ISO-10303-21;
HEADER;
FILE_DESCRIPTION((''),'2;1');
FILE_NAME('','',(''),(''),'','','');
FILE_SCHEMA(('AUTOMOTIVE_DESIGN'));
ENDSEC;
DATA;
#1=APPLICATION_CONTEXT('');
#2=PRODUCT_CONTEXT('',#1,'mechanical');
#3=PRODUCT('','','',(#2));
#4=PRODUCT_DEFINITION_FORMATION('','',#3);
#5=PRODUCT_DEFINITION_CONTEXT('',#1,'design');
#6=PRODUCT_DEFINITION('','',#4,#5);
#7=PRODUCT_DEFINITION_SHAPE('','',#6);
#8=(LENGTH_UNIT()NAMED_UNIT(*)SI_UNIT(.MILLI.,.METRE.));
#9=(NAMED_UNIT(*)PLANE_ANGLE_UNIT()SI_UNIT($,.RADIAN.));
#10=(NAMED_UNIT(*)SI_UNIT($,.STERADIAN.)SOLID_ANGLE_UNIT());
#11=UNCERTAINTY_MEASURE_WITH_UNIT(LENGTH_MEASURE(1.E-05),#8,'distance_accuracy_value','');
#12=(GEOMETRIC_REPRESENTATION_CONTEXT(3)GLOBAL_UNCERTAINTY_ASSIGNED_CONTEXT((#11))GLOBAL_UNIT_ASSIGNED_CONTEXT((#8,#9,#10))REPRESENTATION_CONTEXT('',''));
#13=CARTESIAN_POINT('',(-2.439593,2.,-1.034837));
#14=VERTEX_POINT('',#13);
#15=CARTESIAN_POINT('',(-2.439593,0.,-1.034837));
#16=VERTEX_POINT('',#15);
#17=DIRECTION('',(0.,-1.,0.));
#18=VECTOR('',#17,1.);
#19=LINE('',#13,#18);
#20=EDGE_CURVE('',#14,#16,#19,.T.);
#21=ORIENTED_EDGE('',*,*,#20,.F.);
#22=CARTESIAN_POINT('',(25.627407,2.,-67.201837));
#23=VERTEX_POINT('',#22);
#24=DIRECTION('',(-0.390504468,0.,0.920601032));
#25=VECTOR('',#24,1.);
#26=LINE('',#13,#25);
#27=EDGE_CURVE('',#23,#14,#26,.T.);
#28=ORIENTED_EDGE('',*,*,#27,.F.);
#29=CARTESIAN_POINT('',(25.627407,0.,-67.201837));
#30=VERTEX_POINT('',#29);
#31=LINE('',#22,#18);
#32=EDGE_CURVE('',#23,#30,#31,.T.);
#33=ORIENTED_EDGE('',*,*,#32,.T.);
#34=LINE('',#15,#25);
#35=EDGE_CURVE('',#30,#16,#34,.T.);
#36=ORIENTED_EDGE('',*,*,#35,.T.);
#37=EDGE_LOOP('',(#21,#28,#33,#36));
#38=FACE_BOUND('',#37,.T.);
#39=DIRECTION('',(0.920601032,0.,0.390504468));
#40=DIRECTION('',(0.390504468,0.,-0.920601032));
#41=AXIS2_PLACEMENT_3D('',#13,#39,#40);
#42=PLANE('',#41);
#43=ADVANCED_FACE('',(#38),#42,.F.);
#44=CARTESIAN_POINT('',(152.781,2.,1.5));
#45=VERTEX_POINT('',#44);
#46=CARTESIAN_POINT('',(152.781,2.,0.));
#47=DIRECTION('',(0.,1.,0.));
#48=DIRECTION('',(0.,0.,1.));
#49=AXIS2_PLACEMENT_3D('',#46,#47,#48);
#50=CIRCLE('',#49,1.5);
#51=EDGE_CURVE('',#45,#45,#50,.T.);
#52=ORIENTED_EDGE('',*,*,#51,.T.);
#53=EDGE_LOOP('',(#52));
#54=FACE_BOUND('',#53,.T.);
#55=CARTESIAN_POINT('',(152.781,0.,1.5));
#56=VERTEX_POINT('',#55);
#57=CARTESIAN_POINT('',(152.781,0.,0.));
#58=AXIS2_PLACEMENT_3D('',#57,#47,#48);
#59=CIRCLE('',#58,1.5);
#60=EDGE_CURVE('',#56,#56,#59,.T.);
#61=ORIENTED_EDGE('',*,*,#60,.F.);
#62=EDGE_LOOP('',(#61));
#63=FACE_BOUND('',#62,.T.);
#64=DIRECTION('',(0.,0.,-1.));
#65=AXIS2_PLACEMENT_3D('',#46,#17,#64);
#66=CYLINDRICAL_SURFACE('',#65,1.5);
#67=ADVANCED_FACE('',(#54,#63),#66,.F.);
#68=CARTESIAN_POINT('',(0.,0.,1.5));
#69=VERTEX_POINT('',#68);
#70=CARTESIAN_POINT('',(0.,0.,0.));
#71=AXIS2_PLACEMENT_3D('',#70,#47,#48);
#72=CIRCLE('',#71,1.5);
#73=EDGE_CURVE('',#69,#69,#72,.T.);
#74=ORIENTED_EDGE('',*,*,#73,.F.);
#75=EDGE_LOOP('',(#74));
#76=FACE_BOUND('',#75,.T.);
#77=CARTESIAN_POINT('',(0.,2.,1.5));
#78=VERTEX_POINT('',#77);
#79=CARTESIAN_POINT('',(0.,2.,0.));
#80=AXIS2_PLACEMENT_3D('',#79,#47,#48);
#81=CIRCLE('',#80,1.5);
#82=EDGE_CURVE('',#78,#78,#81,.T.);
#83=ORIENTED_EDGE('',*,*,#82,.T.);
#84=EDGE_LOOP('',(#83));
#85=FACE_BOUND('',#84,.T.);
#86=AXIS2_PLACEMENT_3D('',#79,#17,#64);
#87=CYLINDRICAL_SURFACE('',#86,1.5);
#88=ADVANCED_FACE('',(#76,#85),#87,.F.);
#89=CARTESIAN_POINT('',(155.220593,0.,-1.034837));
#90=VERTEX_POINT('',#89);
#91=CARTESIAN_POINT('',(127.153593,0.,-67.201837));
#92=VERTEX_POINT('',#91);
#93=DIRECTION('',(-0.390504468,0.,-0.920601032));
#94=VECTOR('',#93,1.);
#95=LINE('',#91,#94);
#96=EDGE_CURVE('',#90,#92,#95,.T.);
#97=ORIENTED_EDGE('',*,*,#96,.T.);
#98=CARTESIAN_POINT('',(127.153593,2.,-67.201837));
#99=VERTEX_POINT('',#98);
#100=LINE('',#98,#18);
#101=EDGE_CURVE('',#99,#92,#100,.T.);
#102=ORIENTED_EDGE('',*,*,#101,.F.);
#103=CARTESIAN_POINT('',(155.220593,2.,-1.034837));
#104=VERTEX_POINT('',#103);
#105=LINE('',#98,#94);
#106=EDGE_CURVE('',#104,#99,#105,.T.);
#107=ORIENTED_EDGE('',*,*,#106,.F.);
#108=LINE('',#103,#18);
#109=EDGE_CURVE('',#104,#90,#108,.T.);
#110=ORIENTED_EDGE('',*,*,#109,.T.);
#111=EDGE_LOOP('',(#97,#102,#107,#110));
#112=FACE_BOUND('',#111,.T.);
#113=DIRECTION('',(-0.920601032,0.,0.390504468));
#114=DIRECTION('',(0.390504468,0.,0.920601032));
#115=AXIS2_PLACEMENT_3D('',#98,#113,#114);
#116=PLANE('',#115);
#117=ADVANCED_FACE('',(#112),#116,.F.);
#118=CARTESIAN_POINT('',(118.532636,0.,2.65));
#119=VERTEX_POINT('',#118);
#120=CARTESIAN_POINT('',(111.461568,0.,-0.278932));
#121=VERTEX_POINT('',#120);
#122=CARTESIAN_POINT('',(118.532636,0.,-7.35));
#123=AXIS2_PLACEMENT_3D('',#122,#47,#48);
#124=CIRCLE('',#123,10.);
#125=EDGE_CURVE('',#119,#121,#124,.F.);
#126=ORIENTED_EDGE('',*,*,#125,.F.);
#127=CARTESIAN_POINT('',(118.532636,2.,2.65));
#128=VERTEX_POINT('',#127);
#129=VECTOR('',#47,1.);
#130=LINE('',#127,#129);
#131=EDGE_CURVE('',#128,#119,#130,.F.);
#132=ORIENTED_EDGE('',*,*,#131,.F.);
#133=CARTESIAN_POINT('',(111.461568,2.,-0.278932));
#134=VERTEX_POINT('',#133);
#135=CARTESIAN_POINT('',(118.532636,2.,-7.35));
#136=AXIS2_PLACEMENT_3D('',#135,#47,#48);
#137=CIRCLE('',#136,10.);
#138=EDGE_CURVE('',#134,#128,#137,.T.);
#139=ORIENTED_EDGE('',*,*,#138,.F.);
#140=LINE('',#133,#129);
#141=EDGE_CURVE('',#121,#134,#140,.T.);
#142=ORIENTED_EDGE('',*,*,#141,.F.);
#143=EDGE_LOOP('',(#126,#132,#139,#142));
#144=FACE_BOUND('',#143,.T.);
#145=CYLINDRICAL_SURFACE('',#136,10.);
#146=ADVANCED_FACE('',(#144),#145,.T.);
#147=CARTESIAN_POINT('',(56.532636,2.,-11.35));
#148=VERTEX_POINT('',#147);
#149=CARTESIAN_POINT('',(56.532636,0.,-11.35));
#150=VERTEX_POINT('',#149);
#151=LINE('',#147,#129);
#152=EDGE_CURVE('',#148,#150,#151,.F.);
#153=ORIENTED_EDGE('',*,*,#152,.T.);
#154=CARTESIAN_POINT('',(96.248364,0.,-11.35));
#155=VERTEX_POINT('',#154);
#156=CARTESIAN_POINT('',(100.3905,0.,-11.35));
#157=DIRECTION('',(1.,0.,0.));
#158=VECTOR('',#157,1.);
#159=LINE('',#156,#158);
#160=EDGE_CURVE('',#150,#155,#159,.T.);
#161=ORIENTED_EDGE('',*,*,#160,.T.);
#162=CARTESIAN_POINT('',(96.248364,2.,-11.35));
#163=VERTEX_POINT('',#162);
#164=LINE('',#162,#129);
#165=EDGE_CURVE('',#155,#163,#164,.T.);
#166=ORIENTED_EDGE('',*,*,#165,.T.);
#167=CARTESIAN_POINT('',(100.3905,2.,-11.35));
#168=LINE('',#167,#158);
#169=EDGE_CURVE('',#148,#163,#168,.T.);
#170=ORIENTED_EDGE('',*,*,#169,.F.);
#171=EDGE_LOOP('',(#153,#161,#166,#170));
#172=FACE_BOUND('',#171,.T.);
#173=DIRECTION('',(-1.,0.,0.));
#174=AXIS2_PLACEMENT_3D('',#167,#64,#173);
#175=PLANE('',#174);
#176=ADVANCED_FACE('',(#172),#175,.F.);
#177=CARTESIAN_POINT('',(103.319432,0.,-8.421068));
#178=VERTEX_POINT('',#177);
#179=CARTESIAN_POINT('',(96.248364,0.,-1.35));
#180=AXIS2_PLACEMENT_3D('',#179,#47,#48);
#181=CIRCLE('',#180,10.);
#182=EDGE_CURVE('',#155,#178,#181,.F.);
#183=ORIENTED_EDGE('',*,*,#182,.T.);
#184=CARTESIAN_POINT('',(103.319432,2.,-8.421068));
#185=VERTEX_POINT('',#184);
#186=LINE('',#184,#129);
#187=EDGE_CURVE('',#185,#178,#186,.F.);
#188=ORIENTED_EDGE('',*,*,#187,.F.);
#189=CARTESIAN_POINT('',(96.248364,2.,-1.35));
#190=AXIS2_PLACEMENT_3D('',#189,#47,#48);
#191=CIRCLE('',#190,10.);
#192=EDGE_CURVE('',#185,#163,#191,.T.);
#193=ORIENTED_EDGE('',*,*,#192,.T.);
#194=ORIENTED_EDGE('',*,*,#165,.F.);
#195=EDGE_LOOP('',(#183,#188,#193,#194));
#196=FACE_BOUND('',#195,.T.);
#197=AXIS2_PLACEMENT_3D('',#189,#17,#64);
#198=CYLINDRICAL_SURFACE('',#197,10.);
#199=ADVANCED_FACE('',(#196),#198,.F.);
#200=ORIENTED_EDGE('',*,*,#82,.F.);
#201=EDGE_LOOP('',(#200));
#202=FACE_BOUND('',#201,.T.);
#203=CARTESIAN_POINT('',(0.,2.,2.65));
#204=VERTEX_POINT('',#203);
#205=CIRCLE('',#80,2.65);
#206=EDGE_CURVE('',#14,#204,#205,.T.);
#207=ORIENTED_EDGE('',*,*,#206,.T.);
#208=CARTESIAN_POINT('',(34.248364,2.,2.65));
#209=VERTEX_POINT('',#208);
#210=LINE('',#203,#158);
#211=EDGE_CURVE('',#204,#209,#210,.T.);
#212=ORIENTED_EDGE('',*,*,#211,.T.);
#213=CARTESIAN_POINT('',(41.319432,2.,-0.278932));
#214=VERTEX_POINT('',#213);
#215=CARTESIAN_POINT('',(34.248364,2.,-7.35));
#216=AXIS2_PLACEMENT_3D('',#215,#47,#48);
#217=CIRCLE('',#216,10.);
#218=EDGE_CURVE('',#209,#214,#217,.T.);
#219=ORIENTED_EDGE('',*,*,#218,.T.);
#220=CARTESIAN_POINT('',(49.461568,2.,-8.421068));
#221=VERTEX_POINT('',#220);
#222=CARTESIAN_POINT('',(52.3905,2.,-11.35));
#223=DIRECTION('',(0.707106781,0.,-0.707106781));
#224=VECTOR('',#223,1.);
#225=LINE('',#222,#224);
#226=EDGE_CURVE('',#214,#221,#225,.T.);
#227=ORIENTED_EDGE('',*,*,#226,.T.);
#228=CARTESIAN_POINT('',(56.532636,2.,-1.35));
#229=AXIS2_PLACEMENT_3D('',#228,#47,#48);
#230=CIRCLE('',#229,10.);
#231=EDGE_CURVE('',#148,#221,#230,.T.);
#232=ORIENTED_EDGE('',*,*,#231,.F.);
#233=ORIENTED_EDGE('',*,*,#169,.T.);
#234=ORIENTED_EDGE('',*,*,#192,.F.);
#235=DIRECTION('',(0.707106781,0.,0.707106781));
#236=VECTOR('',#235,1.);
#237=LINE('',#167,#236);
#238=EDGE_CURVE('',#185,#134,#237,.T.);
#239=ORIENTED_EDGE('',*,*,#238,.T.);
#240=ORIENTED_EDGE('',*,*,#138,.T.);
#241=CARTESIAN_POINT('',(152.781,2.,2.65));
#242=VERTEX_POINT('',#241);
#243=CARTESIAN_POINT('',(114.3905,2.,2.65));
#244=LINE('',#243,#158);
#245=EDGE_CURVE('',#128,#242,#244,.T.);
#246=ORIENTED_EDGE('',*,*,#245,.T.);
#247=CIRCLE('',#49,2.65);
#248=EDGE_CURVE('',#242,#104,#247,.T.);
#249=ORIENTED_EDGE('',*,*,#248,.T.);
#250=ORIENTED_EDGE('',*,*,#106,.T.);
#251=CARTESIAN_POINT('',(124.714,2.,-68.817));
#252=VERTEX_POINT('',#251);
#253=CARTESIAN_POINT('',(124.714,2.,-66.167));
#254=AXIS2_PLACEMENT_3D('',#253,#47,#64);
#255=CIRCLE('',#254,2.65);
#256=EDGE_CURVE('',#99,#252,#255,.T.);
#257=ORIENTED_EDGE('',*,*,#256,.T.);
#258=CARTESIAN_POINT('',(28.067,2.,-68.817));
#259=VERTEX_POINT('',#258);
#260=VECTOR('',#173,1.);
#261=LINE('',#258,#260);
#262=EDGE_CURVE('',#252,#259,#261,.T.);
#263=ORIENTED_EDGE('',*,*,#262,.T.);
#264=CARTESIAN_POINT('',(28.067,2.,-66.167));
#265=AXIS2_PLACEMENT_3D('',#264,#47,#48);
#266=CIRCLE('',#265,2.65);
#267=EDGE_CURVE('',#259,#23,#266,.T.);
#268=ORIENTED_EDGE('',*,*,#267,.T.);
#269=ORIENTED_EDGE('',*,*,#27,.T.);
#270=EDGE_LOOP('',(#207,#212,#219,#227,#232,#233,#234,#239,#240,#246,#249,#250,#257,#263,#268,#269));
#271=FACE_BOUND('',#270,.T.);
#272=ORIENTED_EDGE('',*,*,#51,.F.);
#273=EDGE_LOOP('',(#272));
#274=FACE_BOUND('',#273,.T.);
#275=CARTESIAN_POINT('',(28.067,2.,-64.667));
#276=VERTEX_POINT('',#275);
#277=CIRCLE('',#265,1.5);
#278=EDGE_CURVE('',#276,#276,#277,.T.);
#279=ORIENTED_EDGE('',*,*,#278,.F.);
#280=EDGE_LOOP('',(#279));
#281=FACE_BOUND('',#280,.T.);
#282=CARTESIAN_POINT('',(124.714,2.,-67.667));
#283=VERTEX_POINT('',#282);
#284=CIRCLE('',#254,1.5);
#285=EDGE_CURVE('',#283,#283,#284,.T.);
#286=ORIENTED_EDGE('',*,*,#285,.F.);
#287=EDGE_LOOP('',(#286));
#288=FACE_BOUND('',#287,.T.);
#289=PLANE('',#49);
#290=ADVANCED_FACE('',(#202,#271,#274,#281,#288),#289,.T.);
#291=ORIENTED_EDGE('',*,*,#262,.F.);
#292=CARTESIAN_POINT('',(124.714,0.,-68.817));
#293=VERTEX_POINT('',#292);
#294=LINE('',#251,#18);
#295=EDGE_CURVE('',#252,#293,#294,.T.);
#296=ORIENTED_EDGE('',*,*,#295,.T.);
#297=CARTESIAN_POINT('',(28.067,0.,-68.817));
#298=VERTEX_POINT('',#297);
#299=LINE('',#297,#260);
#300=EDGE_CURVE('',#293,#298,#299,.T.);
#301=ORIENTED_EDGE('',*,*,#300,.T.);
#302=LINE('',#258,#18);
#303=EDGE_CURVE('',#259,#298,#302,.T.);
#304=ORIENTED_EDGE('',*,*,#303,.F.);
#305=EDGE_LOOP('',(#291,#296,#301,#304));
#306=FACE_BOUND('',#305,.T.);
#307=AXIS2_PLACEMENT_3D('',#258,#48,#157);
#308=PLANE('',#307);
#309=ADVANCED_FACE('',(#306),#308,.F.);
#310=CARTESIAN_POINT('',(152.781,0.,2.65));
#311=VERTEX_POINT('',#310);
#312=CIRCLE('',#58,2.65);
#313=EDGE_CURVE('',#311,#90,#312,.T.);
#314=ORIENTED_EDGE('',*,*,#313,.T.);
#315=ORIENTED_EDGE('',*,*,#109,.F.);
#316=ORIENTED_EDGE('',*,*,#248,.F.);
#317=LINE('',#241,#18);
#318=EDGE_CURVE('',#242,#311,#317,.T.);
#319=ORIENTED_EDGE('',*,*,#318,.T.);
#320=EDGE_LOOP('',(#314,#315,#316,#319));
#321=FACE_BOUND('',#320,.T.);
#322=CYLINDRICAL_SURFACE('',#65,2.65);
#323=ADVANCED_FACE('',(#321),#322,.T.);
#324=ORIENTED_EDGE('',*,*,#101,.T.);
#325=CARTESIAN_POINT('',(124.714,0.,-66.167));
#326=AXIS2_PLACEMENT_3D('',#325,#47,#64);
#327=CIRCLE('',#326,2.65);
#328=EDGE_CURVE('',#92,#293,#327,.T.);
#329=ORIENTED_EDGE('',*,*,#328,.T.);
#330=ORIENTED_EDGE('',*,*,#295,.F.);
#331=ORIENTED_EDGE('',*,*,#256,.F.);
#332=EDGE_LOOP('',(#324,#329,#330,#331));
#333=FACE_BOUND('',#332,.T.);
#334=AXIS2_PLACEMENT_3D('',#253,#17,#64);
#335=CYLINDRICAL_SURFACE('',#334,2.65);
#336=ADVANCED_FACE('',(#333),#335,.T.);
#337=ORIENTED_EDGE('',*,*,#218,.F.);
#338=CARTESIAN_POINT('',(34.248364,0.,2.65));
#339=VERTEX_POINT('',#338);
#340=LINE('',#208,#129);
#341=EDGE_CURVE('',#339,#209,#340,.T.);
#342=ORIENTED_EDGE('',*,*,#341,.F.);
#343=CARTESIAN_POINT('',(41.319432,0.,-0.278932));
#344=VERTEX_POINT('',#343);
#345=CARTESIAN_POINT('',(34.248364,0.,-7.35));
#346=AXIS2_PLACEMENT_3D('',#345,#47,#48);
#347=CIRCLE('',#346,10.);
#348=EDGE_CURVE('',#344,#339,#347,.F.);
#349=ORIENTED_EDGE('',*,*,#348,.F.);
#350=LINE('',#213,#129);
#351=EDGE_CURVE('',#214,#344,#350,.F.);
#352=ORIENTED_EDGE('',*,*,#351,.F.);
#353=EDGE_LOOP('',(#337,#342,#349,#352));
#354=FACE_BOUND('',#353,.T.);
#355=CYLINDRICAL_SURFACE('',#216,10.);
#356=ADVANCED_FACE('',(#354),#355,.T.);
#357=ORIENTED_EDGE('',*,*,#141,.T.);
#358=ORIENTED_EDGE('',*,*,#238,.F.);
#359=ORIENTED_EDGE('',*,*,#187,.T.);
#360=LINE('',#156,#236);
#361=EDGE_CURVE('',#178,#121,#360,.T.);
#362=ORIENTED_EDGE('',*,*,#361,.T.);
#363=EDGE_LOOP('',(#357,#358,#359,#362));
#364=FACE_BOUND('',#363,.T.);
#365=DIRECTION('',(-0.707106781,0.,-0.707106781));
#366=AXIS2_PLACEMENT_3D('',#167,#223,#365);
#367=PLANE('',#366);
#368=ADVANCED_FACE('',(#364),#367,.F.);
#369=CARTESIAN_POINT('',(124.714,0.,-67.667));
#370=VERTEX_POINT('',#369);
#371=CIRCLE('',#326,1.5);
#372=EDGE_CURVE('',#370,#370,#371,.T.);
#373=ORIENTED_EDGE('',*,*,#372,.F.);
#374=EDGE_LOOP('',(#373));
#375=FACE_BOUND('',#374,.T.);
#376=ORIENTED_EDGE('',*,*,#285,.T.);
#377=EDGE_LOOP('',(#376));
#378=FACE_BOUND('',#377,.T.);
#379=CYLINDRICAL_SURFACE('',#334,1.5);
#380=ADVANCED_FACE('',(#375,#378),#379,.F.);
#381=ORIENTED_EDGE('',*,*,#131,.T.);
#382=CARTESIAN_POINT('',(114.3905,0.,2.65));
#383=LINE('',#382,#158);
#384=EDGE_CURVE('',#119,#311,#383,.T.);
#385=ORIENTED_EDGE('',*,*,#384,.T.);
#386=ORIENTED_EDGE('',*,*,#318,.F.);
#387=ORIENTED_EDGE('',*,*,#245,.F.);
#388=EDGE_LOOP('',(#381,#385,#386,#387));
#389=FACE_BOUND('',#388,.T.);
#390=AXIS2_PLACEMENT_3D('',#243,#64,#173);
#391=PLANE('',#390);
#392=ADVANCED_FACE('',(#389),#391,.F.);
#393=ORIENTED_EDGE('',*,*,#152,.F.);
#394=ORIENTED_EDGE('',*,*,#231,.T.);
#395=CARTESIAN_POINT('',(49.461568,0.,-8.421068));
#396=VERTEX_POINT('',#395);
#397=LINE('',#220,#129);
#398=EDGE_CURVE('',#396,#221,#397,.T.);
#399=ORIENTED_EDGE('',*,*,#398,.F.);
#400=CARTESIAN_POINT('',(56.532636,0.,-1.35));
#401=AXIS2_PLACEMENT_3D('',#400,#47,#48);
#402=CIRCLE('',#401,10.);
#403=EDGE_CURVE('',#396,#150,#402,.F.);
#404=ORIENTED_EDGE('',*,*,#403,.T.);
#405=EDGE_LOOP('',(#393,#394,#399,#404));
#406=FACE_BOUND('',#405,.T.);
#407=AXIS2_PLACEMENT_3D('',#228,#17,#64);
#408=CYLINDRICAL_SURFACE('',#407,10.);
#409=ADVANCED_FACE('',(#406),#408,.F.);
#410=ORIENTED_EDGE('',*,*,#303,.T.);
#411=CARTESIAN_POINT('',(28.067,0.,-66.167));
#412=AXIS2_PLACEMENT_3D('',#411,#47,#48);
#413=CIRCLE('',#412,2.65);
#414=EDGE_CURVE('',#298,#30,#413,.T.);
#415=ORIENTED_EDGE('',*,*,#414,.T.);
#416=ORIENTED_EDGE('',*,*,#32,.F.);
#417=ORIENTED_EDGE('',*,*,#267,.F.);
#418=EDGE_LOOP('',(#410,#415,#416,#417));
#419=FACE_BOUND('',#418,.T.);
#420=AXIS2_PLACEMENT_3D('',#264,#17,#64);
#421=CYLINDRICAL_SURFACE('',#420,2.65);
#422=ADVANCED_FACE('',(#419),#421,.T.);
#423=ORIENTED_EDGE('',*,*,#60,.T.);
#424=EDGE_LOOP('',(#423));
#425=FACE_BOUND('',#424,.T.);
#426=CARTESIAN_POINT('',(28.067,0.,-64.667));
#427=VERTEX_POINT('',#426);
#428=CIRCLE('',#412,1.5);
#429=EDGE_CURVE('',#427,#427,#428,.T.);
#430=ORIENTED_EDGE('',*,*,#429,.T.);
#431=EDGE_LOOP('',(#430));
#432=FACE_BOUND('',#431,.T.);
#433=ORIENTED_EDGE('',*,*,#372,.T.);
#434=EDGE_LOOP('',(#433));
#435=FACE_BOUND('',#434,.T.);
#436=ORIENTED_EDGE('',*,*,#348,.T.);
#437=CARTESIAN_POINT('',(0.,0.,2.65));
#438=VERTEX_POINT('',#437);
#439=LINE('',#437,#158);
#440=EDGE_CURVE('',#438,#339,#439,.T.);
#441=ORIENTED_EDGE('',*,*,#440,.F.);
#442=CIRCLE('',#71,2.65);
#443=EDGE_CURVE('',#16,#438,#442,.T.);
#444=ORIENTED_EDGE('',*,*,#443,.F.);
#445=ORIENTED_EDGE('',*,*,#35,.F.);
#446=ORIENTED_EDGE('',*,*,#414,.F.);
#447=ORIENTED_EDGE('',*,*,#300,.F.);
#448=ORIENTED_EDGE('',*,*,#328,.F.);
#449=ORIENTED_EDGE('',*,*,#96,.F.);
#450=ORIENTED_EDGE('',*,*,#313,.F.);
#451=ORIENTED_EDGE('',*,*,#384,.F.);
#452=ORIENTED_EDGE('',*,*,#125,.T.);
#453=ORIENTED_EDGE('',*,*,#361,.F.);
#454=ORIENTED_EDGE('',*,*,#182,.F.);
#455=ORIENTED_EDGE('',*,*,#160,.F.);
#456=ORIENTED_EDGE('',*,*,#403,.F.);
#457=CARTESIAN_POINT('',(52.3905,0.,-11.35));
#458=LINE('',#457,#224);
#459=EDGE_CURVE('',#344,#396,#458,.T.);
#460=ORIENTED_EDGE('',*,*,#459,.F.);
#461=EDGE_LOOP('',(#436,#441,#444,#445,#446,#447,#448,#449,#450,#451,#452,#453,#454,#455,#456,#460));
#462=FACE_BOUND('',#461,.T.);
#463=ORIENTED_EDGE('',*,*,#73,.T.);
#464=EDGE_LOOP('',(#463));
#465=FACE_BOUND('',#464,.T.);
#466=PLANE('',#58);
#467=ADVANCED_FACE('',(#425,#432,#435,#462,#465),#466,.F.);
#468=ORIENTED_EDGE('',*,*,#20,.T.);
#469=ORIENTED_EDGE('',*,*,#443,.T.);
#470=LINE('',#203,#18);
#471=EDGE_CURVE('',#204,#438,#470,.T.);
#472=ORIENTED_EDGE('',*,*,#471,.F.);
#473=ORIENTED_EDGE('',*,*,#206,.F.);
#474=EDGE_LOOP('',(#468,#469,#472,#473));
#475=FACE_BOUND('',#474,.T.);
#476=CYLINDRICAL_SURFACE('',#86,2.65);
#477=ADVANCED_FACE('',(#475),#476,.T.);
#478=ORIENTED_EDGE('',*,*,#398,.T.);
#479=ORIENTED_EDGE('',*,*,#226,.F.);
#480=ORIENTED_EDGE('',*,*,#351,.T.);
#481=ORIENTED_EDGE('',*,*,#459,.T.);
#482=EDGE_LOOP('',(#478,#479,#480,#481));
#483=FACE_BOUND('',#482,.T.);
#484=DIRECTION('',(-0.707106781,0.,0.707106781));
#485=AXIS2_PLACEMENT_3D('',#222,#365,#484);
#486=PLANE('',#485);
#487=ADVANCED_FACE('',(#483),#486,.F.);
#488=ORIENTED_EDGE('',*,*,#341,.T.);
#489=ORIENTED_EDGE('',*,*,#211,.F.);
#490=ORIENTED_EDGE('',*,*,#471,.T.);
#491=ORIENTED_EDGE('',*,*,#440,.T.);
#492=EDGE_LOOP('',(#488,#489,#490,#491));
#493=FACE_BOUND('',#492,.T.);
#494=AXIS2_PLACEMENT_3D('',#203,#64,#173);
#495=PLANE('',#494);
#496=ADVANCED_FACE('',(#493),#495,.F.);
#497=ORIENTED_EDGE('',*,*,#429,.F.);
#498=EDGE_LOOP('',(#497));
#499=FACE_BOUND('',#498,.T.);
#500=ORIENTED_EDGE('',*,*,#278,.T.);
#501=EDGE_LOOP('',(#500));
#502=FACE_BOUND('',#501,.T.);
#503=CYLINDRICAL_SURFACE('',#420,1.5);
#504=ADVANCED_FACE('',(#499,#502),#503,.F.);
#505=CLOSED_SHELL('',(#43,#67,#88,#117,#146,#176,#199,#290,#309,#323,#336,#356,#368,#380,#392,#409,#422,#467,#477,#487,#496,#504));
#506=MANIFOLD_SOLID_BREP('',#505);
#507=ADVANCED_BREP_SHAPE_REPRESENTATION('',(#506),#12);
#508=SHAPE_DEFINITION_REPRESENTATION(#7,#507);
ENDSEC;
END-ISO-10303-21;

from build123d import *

# Parameters (mm, degrees)
SKETCH_1_R      = 1.5
EXTRUDE_1_DEPTH = 2
FILLET_1_R      = 10
FILLET_2_R      = 10
FILLET_3_R      = 10
FILLET_4_R      = 10


with BuildPart() as part:
    # 草图1 → 凸台-拉伸1 (new body)
    with BuildSketch(Plane(origin=(0, 0, 0), x_dir=(1, 0, 0), z_dir=(0, 1, 0))):
        with BuildLine():
            Line((-2.439592735, 1.034836841), (25.627407265, 67.201836841))
            ThreePointArc((25.627407265, 67.201836841), (26.60409495, 68.376617346), (28.067, 68.817))
            Line((28.067, 68.817), (124.714, 68.817))
            ThreePointArc((124.714, 68.817), (126.17690505, 68.376617346), (127.153592735, 67.201836841))
            Line((127.153592735, 67.201836841), (155.220592735, 1.034836841))
            ThreePointArc((155.220592735, 1.034836841), (154.990617346, -1.46290505), (152.781, -2.65))
            Line((152.781, -2.65), (114.3905, -2.65))
            Line((114.3905, -2.65), (100.3905, 11.35))
            Line((100.3905, 11.35), (52.3905, 11.35))
            Line((52.3905, 11.35), (38.3905, -2.65))
            Line((38.3905, -2.65), (0, -2.65))
            ThreePointArc((0, -2.65), (-2.209617346, -1.46290505), (-2.439592735, 1.034836841))
        make_face()
        with Locations(Location((0, 0, 0), (0, 0, 270))):
            Circle(SKETCH_1_R, mode=Mode.SUBTRACT)
        with Locations(Location((152.781, 0, 0), (0, 0, 270))):
            Circle(SKETCH_1_R, mode=Mode.SUBTRACT)
        with Locations(Location((28.067, 66.167, 0), (0, 0, 270))):
            Circle(SKETCH_1_R, mode=Mode.SUBTRACT)
        with Locations(Location((124.714, 66.167, 0), (0, 0, 90))):
            Circle(SKETCH_1_R, mode=Mode.SUBTRACT)
    extrude(amount=EXTRUDE_1_DEPTH)

    # 圆角1
    fillet_1_edges = [part.edges().sort_by_distance(p)[0] for p in [
        (38.3905, 1, 2.65),
    ]]
    fillet(fillet_1_edges, radius=FILLET_1_R)

    # 圆角2
    fillet_2_edges = [part.edges().sort_by_distance(p)[0] for p in [
        (52.3905, 1, -11.35),
    ]]
    fillet(fillet_2_edges, radius=FILLET_2_R)

    # 圆角3
    fillet_3_edges = [part.edges().sort_by_distance(p)[0] for p in [
        (100.3905, 1, -11.35),
    ]]
    fillet(fillet_3_edges, radius=FILLET_3_R)

    # 圆角4
    fillet_4_edges = [part.edges().sort_by_distance(p)[0] for p in [
        (114.3905, 1, 2.65),
    ]]
    fillet(fillet_4_edges, radius=FILLET_4_R)


solid = part.part
